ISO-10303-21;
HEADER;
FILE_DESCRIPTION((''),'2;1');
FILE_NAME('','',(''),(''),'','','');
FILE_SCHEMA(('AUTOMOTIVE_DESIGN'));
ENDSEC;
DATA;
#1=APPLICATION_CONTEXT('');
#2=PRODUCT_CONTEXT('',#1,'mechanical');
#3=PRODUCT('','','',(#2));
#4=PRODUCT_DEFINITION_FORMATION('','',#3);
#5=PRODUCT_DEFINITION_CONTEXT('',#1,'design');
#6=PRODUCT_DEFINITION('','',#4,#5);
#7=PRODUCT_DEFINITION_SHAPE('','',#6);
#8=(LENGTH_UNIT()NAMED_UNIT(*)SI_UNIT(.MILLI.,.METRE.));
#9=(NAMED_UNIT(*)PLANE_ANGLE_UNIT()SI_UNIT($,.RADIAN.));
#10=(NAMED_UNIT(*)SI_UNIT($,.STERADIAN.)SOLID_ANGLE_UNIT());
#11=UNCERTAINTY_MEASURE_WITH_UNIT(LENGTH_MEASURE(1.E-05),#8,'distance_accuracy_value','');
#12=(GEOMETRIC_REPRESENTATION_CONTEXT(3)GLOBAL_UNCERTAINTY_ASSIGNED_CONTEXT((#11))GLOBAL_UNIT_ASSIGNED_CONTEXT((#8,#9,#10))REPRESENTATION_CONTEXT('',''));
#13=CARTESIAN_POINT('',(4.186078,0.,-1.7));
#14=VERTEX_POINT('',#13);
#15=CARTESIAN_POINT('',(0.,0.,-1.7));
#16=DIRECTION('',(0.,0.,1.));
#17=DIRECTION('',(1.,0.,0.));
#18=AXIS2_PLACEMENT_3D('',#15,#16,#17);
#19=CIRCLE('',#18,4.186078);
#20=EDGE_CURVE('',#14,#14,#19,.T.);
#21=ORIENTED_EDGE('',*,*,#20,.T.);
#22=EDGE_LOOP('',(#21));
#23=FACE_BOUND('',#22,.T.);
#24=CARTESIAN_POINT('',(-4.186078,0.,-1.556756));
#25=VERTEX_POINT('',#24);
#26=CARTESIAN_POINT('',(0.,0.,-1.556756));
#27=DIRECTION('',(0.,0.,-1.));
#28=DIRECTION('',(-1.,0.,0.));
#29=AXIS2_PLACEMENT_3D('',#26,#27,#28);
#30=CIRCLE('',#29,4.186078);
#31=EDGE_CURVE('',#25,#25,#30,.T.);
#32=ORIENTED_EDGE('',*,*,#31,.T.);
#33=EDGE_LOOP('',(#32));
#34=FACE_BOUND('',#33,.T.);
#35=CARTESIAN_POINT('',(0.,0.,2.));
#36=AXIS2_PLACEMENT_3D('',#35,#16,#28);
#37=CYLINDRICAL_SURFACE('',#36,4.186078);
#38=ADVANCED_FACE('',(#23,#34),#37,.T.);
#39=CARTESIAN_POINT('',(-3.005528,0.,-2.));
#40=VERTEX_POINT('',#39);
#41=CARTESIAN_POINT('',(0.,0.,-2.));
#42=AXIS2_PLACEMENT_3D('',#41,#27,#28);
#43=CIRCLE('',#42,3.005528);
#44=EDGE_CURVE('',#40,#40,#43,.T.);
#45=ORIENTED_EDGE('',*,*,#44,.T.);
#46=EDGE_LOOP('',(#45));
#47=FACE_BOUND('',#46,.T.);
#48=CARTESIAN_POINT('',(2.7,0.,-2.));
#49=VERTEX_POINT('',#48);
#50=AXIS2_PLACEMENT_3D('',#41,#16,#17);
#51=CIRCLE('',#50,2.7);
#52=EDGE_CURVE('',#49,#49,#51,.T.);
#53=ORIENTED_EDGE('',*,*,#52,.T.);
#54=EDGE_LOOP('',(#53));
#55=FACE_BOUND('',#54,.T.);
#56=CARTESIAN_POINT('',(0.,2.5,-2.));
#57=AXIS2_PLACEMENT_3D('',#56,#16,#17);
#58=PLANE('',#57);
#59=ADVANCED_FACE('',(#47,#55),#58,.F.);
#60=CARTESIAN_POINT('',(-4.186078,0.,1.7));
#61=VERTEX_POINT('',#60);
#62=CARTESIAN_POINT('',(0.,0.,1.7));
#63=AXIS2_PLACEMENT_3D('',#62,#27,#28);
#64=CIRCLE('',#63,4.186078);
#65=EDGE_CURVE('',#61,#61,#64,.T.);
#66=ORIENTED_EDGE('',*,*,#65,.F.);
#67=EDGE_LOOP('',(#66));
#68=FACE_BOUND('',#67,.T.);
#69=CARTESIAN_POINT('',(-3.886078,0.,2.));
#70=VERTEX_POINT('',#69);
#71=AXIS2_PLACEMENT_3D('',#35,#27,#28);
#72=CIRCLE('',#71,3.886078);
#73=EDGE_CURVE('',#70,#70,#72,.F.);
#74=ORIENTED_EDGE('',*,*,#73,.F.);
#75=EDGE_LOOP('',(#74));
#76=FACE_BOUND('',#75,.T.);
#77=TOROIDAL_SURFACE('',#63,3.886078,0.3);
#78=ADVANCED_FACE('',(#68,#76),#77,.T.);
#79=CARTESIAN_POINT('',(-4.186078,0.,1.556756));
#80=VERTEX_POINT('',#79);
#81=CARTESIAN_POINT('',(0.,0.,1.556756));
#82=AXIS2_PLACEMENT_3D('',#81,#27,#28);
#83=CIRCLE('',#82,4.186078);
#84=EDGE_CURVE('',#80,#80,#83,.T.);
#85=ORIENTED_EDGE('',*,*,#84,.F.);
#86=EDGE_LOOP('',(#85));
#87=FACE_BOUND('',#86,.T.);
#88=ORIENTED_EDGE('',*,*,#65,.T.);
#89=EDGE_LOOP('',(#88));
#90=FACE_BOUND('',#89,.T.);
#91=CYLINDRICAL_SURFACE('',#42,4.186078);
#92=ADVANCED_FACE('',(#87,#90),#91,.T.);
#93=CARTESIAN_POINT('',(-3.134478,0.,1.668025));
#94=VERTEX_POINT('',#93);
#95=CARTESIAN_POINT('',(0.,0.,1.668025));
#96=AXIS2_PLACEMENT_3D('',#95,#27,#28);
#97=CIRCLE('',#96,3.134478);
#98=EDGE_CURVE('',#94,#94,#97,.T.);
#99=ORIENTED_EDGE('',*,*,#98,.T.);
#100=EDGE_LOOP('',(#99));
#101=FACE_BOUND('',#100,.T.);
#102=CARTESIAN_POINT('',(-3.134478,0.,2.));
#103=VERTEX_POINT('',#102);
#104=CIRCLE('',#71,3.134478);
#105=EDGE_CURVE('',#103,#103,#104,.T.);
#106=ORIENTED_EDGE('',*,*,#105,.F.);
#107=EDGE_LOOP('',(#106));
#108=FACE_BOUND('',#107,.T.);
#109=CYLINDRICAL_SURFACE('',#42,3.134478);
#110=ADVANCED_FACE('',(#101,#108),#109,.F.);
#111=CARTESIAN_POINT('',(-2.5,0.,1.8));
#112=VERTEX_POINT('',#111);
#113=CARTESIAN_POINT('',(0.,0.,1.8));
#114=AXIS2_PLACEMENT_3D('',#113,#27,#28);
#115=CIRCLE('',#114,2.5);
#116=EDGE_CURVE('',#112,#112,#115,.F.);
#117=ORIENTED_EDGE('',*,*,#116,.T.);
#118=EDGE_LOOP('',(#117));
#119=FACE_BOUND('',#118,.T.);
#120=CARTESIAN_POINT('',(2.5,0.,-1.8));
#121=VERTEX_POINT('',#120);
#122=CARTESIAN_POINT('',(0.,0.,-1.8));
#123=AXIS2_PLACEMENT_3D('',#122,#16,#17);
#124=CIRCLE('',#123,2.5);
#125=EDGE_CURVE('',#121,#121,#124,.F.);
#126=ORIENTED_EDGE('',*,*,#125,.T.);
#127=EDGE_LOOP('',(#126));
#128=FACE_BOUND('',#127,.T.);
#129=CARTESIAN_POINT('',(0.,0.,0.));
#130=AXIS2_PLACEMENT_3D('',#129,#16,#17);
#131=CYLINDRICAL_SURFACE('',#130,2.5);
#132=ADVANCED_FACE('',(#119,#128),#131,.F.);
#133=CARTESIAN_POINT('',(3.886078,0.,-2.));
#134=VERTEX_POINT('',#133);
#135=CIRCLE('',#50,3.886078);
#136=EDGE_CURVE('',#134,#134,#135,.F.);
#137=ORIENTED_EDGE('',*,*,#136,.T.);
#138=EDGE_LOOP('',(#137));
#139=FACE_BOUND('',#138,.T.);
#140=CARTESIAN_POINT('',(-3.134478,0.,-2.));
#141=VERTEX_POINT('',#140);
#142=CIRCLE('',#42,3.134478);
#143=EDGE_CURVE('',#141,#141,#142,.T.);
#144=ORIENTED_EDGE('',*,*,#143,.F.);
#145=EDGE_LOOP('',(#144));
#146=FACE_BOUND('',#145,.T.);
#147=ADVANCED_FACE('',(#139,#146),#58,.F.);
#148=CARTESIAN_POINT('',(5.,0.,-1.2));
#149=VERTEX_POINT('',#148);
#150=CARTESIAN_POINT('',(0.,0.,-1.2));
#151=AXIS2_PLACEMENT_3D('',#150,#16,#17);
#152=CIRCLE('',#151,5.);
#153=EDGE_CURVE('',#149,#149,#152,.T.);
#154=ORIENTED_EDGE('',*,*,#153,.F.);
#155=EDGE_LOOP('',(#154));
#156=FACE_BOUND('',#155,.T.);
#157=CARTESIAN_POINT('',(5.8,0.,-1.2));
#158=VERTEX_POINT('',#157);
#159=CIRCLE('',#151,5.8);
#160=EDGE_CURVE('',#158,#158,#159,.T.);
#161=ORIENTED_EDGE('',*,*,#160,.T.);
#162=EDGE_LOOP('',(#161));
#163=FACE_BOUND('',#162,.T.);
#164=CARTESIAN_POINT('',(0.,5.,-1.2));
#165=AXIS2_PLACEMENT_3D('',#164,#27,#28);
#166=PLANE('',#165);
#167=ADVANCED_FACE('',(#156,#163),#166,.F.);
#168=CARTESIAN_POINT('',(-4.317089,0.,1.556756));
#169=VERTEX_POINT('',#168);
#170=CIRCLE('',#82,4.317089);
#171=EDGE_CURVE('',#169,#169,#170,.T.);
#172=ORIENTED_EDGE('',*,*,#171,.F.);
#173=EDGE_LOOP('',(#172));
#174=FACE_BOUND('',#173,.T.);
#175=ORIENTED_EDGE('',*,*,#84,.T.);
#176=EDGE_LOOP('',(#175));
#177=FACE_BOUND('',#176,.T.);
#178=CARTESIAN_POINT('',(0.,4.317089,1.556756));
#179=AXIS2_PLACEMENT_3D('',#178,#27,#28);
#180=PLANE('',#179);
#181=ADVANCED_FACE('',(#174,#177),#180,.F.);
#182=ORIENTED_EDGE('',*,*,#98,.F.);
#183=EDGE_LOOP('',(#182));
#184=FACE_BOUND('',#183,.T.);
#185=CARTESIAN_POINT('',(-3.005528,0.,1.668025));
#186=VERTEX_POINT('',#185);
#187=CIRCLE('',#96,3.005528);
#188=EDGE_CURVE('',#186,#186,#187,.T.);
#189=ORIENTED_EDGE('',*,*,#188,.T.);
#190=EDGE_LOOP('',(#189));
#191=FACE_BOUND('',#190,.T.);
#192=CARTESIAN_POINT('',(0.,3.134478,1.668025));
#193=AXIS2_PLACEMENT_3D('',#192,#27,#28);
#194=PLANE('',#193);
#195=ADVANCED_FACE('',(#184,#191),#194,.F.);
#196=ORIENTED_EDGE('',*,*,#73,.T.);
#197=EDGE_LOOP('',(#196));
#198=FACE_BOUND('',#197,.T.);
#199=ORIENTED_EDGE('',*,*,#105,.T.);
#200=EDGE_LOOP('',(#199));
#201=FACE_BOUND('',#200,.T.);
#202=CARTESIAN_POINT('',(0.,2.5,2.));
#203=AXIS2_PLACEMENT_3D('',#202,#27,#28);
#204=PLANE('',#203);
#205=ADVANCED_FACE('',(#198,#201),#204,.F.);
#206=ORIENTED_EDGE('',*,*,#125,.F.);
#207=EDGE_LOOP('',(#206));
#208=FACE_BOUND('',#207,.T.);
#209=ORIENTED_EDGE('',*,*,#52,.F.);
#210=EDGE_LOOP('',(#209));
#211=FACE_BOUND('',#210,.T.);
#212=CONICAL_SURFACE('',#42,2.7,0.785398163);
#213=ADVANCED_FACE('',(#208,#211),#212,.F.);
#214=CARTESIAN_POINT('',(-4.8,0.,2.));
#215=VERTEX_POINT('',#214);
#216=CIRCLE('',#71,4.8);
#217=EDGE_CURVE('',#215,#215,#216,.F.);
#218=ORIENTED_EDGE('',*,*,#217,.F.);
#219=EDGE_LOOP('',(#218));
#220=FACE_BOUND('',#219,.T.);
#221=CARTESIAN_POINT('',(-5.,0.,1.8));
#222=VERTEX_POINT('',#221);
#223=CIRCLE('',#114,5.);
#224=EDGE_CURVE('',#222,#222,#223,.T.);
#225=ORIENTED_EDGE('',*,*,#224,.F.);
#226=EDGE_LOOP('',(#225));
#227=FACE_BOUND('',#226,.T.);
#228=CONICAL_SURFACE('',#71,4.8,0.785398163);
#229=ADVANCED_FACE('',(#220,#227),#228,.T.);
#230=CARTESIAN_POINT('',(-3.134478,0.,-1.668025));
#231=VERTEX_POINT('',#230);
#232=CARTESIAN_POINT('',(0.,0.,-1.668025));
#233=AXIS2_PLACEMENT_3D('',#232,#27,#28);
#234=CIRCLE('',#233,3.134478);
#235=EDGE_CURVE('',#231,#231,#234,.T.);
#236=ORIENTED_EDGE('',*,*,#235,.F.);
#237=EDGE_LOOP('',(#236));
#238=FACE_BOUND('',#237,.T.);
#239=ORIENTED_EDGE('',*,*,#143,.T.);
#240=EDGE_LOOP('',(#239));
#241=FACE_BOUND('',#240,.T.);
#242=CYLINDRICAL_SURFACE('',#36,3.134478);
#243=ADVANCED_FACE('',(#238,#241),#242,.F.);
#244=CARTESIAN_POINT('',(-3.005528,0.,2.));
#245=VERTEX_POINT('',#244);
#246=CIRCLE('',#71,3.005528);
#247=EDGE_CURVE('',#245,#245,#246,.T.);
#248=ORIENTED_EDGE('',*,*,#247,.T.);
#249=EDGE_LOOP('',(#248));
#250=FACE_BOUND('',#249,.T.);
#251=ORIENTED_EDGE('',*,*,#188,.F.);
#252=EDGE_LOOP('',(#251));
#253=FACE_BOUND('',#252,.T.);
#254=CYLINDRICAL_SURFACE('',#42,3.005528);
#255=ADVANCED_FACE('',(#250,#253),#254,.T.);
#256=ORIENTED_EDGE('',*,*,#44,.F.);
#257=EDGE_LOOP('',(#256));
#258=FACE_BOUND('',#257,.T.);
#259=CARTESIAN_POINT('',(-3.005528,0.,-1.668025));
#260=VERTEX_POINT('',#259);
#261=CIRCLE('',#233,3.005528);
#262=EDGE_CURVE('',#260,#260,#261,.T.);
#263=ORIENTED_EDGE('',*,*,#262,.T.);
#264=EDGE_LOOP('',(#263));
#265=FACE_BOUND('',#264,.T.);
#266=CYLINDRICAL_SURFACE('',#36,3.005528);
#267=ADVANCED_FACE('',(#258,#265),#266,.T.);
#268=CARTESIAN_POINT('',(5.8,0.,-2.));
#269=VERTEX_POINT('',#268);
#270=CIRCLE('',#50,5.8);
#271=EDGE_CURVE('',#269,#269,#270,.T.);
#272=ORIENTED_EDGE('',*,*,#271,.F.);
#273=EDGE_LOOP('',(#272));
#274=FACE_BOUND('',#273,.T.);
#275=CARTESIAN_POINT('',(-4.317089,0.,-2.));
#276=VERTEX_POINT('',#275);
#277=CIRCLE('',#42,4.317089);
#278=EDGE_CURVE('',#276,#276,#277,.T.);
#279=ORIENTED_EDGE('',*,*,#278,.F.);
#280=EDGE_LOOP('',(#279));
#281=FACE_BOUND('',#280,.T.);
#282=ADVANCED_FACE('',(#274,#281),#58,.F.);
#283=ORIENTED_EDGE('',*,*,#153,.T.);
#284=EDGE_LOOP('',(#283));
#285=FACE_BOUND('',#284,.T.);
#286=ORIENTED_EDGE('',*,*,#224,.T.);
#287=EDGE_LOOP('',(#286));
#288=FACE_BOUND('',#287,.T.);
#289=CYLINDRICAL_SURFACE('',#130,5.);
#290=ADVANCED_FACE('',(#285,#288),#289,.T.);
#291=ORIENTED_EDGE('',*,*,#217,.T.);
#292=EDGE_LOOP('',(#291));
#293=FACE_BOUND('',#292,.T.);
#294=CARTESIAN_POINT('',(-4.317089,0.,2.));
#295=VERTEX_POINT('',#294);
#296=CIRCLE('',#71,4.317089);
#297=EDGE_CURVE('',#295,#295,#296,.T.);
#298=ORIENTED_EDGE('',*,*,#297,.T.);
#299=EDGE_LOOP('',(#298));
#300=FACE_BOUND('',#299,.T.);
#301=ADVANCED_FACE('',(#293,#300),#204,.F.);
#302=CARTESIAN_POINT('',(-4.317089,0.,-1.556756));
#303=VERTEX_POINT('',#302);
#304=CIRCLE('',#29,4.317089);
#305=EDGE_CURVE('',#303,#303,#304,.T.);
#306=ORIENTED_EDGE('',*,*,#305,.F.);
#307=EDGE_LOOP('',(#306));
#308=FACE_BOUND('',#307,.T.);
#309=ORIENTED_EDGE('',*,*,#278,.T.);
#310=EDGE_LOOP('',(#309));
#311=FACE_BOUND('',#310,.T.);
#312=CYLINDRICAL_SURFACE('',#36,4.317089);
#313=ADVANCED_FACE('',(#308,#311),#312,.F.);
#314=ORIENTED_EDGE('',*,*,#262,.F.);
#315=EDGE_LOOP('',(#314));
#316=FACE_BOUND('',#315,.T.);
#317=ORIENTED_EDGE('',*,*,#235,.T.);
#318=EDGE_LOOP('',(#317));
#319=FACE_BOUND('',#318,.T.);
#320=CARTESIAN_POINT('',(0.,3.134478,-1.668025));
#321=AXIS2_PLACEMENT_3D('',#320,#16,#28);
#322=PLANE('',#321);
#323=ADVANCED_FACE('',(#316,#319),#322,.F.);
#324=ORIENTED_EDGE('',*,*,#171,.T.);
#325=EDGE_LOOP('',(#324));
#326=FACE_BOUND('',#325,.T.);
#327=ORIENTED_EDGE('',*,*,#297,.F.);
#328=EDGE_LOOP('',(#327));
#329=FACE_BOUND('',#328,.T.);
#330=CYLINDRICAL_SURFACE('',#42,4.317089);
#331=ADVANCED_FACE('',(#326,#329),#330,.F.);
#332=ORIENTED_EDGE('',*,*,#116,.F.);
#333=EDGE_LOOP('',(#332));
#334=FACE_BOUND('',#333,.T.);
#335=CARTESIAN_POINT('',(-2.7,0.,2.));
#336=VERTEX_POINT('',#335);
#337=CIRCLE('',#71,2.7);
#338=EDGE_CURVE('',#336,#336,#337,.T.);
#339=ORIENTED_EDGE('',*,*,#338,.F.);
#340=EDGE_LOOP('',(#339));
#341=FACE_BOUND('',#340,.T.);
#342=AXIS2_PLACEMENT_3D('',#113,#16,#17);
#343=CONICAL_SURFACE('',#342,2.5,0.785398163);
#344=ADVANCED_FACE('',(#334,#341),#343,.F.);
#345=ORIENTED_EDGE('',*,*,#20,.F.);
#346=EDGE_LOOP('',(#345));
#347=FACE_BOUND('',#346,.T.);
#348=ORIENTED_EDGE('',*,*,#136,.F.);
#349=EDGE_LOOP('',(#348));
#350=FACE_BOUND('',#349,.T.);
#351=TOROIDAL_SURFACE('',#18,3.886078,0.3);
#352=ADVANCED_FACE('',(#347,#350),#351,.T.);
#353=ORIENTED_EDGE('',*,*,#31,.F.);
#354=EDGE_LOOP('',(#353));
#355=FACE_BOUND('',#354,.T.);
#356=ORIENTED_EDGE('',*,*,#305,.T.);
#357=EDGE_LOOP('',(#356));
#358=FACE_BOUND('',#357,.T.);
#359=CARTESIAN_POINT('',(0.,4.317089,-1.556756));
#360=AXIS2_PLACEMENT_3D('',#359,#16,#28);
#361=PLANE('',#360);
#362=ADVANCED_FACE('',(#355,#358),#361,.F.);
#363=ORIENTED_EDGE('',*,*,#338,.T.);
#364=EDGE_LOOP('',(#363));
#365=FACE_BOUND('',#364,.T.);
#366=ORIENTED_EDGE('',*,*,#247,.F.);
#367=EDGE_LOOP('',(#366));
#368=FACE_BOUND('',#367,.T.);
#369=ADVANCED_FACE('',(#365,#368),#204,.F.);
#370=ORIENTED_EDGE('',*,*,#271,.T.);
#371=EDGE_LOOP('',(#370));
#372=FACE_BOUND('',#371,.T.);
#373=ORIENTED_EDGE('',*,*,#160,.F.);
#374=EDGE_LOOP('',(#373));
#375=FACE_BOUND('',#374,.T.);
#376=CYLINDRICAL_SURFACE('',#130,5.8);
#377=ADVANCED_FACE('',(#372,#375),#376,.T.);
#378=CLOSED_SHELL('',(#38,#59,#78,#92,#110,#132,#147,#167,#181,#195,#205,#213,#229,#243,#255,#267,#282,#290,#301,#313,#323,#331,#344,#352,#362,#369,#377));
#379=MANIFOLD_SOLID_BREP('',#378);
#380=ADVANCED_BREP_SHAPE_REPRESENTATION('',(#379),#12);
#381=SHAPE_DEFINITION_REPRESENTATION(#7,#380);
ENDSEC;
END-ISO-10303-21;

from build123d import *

# Parameters (mm, degrees)
CHAMFER1_SIZE = 0.2
FILLET1_R     = 0.3


with BuildPart() as part:
    # Sketch1 → Revolve1 (revolve)
    with BuildSketch(Plane(origin=(0, 0, 0), x_dir=(0, 0, -1), z_dir=(1, 0, 0)), mode=Mode.PRIVATE) as revolve1_sk:
        Polygon((-2, 2.5), (2, 2.5), (2, 5.8), (1.2, 5.8), (1.2, 5), (-2, 5), align=None)
    revolve(revolve1_sk.sketch.rotate(Axis((0, 0, 0), (0, 0, -1)), 90), axis=Axis((0, 0, 0), (0, 0, -1)))

    # Chamfer1
    chamfer1_edges = [part.edges().sort_by_distance(p)[0] for p in [
        (-5, 0, 2),
        (-2.5, 0, -2),
        (-2.5, 0, 2),
    ]]
    chamfer(chamfer1_edges, length=CHAMFER1_SIZE)

    # Sketch2 → Cut-Revolve1 (revolve, cut)
    with BuildSketch(Plane(origin=(0, 0, 0), x_dir=(0, 0, -1), z_dir=(1, 0, 0)), mode=Mode.PRIVATE) as cut_revolve1_sk:
        Polygon((-2, 4.317089392), (-1.556756286, 4.317089392), (-1.556756286, 4.186077714), (-2, 4.186077714), (-2, 3.134478417), (-1.668024824, 3.134478417), (-1.668024824, 3.005528354), (-2, 3.005528354), (-2, 2.264675566), (-2.552130355, 2.264675566), (-2.552130355, 4.329651261), (-2, 4.329651261), align=None)
    cut_revolve1 = revolve(cut_revolve1_sk.sketch.rotate(Axis((0, 0, -2), (0, 0, 1)), 90), axis=Axis((0, 0, -2), (0, 0, 1)), mode=Mode.SUBTRACT)

    # Mirror3: Cut-Revolve1 across plane
    add(cut_revolve1.mirror(Plane.XY), mode=Mode.SUBTRACT)

    # Fillet1
    fillet1_edges = [part.edges().sort_by_distance(p)[0] for p in [
        (4.186077714, 0, 2),
        (4.186077714, 0, -2),
    ]]
    fillet(fillet1_edges, radius=FILLET1_R)


solid = part.part
